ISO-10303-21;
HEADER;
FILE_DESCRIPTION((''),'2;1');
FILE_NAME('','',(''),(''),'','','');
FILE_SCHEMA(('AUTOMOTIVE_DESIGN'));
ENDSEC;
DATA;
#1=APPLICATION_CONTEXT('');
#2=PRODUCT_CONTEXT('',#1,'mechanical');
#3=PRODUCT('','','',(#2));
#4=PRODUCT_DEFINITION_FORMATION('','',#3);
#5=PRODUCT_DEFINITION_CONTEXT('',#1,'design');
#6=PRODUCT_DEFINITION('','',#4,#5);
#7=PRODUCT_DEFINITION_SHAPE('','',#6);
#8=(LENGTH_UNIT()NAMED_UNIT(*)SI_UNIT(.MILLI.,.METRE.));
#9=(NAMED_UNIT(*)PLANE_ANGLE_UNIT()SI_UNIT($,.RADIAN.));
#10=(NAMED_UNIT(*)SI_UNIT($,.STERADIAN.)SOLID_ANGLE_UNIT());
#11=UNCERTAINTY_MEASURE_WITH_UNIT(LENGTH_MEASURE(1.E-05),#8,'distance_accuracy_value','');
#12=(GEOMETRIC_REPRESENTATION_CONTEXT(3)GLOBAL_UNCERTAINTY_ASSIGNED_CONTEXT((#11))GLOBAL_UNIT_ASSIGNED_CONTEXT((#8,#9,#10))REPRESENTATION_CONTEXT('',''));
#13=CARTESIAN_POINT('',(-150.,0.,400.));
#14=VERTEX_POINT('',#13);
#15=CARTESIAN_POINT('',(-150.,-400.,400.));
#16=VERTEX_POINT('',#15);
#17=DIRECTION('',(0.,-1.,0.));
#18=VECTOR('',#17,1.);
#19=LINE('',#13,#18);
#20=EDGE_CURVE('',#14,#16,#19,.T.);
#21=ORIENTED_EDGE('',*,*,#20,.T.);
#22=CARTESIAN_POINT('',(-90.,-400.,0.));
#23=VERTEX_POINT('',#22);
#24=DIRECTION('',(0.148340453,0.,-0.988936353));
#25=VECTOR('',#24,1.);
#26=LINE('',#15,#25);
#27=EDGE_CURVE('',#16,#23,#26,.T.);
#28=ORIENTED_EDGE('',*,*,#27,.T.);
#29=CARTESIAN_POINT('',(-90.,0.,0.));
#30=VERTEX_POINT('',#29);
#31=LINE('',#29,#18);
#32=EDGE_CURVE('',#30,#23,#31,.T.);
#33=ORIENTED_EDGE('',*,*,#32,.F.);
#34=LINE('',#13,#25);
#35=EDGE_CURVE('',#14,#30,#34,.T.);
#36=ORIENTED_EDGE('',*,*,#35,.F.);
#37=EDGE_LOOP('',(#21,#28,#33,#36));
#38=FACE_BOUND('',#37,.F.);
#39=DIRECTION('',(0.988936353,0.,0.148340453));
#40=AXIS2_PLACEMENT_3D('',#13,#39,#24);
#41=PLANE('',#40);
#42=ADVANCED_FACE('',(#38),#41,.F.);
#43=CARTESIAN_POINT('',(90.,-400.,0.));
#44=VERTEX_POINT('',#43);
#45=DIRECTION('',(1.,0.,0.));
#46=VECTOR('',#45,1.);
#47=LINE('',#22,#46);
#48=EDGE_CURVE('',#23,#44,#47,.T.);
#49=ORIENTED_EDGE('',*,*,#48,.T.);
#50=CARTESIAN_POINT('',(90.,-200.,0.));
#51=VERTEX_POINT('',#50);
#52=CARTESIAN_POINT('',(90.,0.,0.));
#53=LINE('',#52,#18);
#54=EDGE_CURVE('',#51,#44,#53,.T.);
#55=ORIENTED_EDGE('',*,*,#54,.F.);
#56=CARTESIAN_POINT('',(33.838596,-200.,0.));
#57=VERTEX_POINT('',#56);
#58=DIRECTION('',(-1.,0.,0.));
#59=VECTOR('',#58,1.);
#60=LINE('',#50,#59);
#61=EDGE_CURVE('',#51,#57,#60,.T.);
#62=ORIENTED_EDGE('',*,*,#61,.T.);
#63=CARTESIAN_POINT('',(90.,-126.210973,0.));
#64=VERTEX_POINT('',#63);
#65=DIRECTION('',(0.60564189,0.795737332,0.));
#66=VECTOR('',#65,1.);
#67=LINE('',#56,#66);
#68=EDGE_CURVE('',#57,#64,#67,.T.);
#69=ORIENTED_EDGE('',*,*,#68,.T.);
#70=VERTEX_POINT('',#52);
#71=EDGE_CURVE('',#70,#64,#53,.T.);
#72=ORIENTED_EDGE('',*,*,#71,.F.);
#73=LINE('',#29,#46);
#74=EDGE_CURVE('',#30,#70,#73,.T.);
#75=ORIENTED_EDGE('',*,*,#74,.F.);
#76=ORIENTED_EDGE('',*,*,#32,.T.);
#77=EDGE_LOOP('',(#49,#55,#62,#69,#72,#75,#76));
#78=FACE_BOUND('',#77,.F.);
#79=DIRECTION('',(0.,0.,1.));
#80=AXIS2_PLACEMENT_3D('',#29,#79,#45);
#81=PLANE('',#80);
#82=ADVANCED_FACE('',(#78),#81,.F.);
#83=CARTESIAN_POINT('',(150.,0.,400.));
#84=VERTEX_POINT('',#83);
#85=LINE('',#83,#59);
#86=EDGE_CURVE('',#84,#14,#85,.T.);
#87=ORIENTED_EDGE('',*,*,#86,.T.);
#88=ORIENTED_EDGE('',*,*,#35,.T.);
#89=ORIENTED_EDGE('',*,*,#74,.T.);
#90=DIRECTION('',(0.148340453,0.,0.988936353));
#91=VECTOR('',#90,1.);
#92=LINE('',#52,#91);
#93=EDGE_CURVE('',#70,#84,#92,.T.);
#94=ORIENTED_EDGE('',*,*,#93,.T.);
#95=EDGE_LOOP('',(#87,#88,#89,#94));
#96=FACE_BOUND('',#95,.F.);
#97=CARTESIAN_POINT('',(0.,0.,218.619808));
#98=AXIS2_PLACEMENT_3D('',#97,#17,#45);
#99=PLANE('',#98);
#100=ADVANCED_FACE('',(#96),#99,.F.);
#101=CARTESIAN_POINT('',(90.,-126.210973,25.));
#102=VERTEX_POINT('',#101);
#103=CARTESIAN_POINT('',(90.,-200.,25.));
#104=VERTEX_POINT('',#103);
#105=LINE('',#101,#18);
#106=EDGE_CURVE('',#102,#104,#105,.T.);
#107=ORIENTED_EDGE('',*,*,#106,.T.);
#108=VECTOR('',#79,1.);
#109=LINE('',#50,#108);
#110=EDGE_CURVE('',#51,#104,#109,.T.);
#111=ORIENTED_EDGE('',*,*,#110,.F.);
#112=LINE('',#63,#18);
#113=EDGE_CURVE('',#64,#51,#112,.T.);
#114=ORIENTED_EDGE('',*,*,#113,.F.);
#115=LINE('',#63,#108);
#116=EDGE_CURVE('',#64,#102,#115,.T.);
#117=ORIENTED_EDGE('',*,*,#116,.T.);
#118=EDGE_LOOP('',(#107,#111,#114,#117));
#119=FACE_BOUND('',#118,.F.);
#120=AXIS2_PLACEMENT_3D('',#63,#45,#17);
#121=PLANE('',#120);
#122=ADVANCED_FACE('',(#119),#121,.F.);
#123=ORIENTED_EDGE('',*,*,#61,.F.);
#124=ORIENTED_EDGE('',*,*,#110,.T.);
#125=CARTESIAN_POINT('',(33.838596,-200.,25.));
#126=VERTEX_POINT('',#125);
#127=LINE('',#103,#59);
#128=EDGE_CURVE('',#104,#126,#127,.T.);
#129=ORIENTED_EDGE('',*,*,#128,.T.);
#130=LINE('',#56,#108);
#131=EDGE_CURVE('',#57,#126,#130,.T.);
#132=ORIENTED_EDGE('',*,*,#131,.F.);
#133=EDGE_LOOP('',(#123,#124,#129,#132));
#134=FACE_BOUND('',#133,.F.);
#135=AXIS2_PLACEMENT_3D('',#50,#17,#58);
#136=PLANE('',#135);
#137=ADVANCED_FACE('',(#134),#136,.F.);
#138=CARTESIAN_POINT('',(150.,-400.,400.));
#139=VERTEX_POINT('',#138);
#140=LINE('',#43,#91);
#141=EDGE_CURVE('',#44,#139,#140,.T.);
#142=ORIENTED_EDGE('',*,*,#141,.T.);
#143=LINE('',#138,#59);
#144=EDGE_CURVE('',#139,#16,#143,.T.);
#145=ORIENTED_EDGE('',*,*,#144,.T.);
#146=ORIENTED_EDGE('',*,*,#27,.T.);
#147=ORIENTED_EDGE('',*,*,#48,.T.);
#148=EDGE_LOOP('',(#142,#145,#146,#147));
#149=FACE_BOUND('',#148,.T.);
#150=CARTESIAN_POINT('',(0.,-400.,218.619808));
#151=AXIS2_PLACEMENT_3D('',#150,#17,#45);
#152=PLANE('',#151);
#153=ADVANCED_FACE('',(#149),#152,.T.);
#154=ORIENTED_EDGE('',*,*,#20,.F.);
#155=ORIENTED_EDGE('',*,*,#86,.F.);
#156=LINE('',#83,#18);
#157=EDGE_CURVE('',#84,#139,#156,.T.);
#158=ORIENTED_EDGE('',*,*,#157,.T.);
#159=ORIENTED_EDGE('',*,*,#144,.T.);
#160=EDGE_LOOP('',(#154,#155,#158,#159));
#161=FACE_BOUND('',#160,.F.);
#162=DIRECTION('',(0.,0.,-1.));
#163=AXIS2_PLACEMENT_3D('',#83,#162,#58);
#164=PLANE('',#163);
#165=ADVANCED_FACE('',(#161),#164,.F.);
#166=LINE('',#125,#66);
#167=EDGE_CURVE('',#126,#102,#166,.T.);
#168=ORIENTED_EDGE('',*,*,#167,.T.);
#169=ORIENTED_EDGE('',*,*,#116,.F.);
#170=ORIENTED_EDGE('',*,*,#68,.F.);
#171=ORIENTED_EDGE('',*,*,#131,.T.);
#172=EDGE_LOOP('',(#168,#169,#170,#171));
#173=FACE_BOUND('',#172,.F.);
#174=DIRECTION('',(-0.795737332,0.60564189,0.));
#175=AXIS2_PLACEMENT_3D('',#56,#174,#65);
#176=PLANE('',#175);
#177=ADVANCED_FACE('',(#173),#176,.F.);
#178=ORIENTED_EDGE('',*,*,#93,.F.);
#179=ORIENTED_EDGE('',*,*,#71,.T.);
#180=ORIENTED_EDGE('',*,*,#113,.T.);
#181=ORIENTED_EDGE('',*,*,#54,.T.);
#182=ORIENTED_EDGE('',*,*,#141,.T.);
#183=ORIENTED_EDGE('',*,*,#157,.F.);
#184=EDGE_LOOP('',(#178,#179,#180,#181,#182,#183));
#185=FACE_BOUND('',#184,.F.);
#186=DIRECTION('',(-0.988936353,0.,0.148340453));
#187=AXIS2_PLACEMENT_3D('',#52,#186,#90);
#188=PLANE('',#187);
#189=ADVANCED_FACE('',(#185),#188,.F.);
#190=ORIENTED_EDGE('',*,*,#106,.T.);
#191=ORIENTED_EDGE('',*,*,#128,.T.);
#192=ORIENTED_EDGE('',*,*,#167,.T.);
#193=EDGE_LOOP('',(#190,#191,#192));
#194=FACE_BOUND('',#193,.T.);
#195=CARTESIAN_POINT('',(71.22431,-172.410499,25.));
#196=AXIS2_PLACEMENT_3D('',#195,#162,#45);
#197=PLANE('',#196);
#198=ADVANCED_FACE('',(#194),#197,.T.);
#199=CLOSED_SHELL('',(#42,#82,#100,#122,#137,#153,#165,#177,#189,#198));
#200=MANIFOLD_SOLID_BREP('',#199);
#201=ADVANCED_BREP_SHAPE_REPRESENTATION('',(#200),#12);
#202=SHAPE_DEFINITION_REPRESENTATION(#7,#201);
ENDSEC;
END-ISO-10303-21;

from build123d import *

# Parameters (mm, degrees)
F1_DEPTH = 400
F3_DEPTH = 25


with BuildPart() as f1:
    # F0 (on Front) → F1 (new body)
    with BuildSketch(Plane.XZ):
        Polygon((-150, 400), (-90, 0), (90, 0), (150, 400), align=None)
    extrude(amount=F1_DEPTH)

    # F2 (on face) → F3 (cut)
    with BuildSketch(Plane(origin=(0, 0, 0), x_dir=(1, 0, 0), z_dir=(0, 0, -1))):
        Polygon((90, 126.210973), (90, 200), (33.838596, 200), align=None)
    extrude(amount=-F3_DEPTH, mode=Mode.SUBTRACT)


solid = f1.part
